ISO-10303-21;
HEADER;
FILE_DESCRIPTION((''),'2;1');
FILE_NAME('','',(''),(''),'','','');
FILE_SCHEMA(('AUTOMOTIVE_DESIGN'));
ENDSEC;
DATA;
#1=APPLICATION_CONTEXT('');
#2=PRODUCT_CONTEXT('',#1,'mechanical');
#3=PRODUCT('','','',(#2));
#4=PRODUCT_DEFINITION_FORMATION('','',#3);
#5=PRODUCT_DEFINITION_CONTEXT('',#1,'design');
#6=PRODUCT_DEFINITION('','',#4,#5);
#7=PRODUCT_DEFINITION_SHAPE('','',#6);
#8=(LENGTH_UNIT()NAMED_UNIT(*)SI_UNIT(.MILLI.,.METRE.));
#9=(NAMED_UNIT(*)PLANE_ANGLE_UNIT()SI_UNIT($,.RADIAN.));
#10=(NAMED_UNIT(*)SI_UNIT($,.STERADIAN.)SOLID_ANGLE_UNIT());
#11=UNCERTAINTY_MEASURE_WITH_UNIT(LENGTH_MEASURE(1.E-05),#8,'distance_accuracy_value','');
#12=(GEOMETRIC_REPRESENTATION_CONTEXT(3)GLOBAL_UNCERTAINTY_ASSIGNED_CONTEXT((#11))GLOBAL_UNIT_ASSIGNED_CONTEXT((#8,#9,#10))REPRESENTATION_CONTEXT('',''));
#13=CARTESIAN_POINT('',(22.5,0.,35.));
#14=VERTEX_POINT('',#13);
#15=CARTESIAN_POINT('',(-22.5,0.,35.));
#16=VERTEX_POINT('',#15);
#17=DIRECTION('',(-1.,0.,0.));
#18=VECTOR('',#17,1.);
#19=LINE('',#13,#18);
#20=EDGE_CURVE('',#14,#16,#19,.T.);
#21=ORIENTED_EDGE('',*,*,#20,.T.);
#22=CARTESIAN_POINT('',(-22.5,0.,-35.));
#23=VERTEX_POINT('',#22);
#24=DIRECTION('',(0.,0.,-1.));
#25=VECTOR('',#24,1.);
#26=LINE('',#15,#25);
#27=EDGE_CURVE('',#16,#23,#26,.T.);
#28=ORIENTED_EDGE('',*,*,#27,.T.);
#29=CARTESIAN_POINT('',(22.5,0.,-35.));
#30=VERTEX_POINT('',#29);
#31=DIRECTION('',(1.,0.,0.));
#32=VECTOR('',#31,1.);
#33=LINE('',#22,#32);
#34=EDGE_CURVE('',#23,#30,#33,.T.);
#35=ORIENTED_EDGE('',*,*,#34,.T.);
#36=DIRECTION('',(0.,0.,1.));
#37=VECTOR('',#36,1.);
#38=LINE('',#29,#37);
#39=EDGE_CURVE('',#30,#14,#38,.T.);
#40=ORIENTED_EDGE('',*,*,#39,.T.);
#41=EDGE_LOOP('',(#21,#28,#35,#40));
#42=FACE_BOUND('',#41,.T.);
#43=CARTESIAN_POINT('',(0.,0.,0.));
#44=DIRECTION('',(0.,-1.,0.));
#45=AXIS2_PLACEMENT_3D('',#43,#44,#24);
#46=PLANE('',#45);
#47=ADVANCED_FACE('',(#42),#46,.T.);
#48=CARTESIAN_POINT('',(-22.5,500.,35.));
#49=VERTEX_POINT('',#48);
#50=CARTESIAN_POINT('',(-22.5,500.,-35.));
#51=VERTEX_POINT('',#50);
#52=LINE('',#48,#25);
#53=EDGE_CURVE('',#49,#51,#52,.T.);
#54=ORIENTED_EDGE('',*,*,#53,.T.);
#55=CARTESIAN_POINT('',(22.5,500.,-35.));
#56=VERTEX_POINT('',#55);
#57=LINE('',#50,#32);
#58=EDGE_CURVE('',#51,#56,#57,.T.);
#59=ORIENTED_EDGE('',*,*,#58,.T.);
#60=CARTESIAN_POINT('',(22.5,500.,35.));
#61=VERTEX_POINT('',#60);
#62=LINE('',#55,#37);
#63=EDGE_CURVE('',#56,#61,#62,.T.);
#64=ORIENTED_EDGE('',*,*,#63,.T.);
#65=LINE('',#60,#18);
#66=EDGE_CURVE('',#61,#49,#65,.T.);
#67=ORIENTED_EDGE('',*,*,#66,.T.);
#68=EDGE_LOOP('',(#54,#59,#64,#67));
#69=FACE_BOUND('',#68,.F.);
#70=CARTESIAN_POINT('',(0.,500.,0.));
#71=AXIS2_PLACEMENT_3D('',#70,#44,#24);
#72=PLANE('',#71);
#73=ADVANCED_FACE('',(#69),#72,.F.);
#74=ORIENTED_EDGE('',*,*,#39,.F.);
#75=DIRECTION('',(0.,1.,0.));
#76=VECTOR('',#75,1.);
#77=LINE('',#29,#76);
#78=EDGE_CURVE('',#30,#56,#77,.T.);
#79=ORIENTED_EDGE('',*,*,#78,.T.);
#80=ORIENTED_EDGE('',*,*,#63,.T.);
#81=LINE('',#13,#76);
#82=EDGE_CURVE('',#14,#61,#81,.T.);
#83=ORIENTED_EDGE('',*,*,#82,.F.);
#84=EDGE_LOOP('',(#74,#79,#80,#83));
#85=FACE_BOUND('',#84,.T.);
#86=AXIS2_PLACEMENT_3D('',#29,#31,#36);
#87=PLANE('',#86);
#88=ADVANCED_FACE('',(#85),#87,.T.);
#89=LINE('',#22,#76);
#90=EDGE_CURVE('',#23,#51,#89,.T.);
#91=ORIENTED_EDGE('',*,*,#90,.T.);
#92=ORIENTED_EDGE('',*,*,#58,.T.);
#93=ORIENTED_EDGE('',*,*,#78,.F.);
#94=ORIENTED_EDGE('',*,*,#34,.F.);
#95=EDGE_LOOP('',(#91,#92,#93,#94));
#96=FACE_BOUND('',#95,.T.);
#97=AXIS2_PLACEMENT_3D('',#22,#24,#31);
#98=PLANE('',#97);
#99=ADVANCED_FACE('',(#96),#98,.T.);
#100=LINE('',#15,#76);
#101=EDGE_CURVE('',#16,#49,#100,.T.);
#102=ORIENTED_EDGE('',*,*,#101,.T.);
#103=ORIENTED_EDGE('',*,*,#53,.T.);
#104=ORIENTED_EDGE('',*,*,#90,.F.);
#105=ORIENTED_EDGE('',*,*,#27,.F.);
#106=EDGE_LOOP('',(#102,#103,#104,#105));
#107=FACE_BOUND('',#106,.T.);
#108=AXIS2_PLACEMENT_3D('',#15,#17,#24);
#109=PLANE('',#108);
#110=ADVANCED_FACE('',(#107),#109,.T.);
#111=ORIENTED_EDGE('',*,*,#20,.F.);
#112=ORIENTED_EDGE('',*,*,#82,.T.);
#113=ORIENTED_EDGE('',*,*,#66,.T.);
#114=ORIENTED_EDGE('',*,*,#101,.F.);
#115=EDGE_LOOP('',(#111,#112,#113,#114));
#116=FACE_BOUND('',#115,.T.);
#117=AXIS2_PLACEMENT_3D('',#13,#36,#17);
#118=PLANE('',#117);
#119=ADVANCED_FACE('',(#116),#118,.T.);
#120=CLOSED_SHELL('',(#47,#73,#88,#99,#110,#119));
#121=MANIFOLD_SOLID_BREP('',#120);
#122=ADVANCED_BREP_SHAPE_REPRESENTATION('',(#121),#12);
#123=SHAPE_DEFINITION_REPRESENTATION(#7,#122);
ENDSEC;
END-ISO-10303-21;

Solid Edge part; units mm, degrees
sketch "Sketch1" plane through (0, 0, 0) normal (0, -1, 0) x (1, 0, 0)
  line L0 (-22.5, -35) -> (22.5, -35)
  line L1 (22.5, -35) -> (22.5, 35)
  line L2 (22.5, 35) -> (-22.5, 35)
  line L3 (-22.5, 35) -> (-22.5, -35)
extrude "Protrusion1" add sketch "Sketch1" against normal blind 500
properties material "Wood, Pine"
